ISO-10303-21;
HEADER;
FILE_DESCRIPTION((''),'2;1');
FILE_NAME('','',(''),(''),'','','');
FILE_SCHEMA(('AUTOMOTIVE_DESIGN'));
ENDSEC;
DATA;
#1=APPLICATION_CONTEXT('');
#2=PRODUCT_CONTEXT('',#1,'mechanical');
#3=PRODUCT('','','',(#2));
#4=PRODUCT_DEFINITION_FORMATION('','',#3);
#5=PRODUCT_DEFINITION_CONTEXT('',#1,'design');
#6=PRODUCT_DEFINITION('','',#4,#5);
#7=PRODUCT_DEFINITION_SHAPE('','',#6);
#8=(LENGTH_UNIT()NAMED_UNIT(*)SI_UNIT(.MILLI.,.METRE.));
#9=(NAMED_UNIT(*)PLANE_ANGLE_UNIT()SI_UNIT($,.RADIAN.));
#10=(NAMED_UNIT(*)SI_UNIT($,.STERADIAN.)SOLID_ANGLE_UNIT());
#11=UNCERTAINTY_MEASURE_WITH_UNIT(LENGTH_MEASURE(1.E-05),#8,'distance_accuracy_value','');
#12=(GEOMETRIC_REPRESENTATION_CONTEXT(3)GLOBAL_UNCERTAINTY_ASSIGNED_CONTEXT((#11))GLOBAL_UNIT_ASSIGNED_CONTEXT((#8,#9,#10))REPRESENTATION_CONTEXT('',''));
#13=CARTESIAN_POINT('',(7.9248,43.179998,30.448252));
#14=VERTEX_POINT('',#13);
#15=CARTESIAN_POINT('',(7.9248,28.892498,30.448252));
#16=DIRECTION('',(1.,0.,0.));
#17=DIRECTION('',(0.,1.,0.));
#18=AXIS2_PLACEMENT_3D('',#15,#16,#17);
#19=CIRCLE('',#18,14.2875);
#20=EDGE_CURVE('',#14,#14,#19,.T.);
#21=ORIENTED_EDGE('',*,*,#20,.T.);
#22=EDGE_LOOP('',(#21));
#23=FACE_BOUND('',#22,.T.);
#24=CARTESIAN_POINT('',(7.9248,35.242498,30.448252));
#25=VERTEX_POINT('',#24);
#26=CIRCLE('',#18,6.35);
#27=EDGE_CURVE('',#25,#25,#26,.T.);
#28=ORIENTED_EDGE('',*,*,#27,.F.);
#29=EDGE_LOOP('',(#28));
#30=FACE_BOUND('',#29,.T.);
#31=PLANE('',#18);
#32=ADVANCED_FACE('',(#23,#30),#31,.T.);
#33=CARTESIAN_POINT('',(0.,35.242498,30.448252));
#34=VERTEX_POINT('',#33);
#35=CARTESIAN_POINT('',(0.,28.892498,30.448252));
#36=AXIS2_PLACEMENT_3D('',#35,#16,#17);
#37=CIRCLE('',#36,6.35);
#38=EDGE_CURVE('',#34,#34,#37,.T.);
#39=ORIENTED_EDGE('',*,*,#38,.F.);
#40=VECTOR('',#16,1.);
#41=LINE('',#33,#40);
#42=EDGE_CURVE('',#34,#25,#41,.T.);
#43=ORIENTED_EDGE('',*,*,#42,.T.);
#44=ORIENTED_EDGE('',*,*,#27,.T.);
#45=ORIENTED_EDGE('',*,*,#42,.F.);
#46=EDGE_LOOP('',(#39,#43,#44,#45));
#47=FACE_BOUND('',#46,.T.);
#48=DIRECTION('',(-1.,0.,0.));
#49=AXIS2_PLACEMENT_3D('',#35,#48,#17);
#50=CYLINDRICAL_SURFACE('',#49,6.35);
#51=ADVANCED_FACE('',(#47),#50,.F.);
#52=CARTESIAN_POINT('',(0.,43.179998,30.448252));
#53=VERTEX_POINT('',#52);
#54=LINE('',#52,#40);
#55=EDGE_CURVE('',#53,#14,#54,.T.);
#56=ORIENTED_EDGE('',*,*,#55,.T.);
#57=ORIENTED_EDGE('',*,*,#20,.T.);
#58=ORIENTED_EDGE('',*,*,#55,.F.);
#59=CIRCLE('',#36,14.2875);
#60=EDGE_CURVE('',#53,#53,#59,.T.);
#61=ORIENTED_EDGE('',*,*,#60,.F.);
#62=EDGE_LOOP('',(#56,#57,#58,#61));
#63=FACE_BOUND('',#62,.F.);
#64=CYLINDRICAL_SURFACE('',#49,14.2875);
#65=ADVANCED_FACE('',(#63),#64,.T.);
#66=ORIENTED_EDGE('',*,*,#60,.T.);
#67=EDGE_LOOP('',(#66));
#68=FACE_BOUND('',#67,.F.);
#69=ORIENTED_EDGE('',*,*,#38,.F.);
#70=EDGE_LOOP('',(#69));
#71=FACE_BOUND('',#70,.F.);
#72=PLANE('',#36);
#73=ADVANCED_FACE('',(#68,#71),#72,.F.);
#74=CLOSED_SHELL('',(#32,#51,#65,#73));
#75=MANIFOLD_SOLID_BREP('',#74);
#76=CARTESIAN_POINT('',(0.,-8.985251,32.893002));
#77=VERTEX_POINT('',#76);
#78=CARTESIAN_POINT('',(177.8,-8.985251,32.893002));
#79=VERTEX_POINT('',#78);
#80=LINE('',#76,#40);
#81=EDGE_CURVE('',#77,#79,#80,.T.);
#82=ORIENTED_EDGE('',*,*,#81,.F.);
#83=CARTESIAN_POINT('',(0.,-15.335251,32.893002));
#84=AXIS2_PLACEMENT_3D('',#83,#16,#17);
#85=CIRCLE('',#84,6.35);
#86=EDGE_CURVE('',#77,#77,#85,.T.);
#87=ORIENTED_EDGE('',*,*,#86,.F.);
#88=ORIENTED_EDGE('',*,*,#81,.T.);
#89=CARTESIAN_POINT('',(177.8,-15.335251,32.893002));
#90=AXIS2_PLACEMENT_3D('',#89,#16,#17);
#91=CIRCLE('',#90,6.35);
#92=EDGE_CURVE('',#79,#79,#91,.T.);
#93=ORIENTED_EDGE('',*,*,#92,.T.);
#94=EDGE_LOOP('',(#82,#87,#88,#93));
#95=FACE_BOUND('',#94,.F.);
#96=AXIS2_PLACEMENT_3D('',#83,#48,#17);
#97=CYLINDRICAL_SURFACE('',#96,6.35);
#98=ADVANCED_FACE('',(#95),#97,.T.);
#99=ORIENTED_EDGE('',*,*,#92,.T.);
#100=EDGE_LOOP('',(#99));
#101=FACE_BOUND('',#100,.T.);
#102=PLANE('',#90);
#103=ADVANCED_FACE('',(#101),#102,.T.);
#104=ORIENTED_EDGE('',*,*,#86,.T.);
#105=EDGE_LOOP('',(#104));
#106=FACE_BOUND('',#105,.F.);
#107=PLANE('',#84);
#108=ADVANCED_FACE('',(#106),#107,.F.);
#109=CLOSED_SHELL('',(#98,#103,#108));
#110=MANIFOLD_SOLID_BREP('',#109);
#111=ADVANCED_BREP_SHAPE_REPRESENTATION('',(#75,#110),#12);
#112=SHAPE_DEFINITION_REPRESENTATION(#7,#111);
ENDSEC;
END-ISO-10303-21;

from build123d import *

# Parameters (mm, degrees)
F0_R     = 6.35
F1_DEPTH = 177.8
F2_R     = 14.2875
F2_R_2   = 6.35
F3_DEPTH = 7.9248


with BuildPart() as f1:
    # F0 (on Right) → F1 (new body)
    with BuildSketch(Plane.YZ):
        with Locations((-15.335251, 32.893002)):
            Circle(F0_R)
    extrude(amount=F1_DEPTH)


with BuildPart() as f3:
    # F2 (on Right) → F3 (new body)
    with BuildSketch(Plane.YZ):
        with Locations((28.892498, 30.448252)):
            Circle(F2_R)
        with Locations((28.892498, 30.448252)):
            Circle(F2_R_2, mode=Mode.SUBTRACT)
    extrude(amount=F3_DEPTH)


solid = Compound([f1.part, f3.part])
